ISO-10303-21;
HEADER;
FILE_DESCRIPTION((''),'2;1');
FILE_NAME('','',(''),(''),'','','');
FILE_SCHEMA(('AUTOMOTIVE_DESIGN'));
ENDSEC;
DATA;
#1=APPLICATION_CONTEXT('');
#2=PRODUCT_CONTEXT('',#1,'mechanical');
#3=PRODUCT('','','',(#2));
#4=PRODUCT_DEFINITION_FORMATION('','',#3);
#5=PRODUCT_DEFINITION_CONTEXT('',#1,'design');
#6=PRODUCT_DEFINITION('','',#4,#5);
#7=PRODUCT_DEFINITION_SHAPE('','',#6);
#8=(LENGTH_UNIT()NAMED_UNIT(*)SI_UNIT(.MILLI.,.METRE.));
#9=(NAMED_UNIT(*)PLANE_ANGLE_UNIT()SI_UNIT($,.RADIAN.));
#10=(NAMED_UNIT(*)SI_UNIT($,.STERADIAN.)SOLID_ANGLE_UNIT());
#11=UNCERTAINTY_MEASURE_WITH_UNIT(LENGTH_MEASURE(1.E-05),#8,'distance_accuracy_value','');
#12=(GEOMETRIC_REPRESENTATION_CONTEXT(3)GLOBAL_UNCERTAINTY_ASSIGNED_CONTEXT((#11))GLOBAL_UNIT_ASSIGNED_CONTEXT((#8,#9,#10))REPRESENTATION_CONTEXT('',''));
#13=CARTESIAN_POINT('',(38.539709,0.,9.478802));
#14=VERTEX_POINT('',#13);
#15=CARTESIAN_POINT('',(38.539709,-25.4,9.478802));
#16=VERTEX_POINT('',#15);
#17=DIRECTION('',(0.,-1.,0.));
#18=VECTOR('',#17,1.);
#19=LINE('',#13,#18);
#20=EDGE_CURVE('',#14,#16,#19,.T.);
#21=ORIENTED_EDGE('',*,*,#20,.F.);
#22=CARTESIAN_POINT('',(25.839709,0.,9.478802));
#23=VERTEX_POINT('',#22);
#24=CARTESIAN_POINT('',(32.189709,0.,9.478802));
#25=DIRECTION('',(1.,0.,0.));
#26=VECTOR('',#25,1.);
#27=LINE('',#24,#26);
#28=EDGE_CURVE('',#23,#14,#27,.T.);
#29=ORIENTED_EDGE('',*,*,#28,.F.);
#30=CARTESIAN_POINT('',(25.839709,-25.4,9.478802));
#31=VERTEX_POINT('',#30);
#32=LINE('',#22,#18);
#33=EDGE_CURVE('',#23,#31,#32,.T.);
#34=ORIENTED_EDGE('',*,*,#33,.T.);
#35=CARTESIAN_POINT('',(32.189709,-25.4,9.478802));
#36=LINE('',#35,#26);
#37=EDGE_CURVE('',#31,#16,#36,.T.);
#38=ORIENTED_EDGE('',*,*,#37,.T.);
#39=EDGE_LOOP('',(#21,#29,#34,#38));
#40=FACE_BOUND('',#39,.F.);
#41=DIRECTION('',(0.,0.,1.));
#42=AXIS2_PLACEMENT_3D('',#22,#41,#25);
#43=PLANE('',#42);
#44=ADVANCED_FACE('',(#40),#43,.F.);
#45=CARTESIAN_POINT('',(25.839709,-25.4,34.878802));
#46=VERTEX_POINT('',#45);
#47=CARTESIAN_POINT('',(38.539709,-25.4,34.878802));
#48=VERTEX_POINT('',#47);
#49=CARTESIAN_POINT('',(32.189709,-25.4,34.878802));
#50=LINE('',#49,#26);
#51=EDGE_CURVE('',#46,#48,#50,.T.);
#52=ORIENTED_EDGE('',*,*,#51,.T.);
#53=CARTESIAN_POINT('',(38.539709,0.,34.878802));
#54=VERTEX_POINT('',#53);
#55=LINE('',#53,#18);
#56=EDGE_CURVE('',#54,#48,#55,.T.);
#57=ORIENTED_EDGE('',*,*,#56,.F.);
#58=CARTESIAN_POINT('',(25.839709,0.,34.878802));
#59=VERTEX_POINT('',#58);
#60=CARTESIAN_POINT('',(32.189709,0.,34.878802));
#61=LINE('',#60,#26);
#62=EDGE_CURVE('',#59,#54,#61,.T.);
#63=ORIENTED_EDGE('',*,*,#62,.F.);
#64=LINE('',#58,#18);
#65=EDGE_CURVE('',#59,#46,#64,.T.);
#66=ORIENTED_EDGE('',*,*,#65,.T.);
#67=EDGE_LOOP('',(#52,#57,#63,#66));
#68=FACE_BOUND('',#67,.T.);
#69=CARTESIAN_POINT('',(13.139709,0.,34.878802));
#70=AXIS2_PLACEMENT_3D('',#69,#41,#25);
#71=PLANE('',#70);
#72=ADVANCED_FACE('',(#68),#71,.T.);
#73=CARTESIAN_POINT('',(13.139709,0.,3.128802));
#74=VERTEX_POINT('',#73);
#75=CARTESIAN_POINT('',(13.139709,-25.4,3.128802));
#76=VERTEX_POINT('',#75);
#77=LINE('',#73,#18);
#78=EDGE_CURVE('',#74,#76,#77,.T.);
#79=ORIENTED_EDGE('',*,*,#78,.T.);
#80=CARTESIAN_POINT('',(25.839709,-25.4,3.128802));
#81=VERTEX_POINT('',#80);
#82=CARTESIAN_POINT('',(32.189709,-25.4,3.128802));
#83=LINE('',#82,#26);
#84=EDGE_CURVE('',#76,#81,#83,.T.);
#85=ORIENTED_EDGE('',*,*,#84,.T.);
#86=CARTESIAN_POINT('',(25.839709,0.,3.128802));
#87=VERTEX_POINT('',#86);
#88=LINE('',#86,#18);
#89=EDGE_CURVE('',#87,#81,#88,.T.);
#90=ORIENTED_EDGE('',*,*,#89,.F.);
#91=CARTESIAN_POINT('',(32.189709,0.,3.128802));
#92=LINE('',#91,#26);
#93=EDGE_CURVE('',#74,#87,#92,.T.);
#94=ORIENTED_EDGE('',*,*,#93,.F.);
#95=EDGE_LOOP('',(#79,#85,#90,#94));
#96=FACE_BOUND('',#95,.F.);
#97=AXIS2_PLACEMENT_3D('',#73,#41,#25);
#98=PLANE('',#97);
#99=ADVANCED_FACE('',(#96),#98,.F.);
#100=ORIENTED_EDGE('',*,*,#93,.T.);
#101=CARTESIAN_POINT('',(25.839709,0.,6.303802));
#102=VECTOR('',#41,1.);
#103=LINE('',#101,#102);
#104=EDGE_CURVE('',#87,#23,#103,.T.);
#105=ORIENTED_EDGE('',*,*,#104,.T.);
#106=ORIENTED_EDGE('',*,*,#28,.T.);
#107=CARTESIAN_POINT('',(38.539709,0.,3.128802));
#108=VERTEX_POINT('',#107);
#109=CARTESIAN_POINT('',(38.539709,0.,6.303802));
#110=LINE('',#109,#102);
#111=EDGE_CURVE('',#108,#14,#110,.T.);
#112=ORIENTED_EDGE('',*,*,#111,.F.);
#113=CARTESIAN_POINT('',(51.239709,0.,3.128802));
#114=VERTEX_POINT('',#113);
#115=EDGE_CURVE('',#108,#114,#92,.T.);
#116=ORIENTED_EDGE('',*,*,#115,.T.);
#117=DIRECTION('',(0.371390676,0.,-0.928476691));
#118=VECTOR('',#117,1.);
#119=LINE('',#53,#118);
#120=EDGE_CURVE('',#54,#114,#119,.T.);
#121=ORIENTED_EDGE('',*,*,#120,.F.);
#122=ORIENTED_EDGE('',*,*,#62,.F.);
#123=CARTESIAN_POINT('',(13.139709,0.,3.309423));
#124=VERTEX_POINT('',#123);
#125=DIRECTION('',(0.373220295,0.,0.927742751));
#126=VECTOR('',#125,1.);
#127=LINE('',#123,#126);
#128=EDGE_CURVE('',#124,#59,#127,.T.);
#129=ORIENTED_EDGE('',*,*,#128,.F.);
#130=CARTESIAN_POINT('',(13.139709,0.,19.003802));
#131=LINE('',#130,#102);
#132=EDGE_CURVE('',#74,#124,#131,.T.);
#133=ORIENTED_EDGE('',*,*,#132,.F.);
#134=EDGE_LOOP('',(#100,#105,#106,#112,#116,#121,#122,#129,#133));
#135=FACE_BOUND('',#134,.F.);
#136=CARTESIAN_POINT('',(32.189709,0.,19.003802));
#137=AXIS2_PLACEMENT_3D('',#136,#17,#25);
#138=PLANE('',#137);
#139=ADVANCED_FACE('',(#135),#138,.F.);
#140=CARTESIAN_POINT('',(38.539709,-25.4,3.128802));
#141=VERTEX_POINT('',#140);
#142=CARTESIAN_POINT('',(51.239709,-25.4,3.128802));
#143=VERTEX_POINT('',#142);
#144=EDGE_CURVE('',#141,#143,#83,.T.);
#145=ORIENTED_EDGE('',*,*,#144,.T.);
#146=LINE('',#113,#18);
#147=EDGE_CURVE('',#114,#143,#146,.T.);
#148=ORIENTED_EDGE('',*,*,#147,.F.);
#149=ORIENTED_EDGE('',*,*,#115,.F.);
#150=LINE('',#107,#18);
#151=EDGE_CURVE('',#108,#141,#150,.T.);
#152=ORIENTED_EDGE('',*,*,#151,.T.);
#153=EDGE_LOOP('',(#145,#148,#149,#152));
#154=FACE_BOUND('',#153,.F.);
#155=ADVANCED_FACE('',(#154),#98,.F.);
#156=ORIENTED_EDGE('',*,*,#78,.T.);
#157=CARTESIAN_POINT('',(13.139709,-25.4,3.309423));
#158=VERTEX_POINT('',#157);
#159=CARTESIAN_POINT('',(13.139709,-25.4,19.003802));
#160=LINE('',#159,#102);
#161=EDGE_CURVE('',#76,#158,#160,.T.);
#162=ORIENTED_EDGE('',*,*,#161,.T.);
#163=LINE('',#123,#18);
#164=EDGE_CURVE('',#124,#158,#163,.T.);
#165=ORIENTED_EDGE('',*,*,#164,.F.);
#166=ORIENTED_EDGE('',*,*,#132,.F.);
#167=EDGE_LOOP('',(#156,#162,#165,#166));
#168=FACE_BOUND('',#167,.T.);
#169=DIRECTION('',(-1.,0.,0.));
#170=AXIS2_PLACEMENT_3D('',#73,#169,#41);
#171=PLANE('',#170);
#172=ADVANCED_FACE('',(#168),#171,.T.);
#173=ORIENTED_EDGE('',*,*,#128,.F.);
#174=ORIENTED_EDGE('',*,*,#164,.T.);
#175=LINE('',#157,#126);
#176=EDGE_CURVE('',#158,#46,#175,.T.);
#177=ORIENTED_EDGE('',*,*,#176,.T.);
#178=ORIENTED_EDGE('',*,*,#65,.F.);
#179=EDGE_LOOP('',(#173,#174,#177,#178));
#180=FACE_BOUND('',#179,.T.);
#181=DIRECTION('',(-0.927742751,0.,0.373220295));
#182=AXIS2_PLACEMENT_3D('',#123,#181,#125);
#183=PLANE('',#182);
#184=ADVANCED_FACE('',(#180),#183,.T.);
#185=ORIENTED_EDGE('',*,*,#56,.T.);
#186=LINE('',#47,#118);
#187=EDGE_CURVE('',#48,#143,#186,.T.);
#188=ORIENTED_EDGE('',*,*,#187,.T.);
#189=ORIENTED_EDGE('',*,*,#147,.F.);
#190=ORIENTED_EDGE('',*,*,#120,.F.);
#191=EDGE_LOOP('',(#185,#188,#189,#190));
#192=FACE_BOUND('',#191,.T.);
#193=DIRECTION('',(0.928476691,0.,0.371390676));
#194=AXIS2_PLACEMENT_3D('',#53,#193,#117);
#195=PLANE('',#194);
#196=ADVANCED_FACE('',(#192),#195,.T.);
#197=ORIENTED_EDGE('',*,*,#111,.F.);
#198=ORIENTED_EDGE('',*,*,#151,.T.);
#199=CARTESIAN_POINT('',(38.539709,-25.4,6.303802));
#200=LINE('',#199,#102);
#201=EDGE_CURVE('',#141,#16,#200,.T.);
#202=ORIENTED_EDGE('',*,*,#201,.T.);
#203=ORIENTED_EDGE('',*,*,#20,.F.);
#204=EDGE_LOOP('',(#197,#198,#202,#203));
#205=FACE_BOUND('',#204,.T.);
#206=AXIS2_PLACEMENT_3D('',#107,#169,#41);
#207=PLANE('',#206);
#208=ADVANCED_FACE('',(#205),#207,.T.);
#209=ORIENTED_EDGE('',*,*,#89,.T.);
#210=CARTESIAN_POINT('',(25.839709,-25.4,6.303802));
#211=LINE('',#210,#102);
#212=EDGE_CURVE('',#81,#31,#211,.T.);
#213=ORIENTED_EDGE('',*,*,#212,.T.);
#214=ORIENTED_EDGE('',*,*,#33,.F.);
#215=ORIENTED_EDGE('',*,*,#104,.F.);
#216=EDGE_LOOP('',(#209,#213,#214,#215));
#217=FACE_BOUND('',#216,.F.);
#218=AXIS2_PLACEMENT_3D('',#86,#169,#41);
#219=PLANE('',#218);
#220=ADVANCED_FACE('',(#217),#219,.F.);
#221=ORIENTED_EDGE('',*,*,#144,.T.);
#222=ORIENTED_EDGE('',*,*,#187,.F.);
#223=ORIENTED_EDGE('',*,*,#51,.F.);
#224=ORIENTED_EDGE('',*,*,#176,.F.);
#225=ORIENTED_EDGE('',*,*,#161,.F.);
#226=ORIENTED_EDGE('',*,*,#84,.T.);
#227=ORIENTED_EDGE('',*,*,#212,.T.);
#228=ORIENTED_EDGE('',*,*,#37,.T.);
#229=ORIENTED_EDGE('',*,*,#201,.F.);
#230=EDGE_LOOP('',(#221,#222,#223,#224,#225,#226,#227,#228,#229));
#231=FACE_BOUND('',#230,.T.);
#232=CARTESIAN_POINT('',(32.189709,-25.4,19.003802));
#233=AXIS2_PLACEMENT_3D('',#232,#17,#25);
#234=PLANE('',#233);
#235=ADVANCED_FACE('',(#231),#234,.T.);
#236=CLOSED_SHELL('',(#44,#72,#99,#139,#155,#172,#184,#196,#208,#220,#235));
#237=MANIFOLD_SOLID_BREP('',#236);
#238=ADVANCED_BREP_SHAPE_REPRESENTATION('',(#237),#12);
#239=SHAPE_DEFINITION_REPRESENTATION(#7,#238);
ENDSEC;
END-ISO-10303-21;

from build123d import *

# Parameters (mm, degrees)
F0_W     = 38.1
F0_H     = 31.75
F1_DEPTH = 25.4
F3_DEPTH = 25.4
F5_DEPTH = 25.4
F6_W     = 12.7
F6_H     = 6.35
F7_DEPTH = 25.4


with BuildPart() as f1:
    # F0 (on Front) → F1 (new body)
    with BuildSketch(Plane.XZ):
        with Locations((32.189709, 19.003802)):
            Rectangle(F0_W, F0_H)
    extrude(amount=F1_DEPTH)

    # F2 (on Front) → F3 (cut)
    with BuildSketch(Plane.XZ):
        Polygon((51.239709, 34.878802), (38.539709, 34.878802), (51.239709, 3.128802), align=None)
    extrude(amount=F3_DEPTH, mode=Mode.SUBTRACT)

    # F4 (on Front) → F5 (cut)
    with BuildSketch(Plane.XZ):
        Polygon((13.139709, 3.309423), (25.839709, 34.878802), (13.139709, 35.059423), align=None)
    extrude(amount=F5_DEPTH, mode=Mode.SUBTRACT)

    # F6 (on Front) → F7 (cut)
    with BuildSketch(Plane.XZ):
        with Locations((32.189709, 6.303802)):
            Rectangle(F6_W, F6_H)
    extrude(amount=F7_DEPTH, mode=Mode.SUBTRACT)


solid = f1.part
